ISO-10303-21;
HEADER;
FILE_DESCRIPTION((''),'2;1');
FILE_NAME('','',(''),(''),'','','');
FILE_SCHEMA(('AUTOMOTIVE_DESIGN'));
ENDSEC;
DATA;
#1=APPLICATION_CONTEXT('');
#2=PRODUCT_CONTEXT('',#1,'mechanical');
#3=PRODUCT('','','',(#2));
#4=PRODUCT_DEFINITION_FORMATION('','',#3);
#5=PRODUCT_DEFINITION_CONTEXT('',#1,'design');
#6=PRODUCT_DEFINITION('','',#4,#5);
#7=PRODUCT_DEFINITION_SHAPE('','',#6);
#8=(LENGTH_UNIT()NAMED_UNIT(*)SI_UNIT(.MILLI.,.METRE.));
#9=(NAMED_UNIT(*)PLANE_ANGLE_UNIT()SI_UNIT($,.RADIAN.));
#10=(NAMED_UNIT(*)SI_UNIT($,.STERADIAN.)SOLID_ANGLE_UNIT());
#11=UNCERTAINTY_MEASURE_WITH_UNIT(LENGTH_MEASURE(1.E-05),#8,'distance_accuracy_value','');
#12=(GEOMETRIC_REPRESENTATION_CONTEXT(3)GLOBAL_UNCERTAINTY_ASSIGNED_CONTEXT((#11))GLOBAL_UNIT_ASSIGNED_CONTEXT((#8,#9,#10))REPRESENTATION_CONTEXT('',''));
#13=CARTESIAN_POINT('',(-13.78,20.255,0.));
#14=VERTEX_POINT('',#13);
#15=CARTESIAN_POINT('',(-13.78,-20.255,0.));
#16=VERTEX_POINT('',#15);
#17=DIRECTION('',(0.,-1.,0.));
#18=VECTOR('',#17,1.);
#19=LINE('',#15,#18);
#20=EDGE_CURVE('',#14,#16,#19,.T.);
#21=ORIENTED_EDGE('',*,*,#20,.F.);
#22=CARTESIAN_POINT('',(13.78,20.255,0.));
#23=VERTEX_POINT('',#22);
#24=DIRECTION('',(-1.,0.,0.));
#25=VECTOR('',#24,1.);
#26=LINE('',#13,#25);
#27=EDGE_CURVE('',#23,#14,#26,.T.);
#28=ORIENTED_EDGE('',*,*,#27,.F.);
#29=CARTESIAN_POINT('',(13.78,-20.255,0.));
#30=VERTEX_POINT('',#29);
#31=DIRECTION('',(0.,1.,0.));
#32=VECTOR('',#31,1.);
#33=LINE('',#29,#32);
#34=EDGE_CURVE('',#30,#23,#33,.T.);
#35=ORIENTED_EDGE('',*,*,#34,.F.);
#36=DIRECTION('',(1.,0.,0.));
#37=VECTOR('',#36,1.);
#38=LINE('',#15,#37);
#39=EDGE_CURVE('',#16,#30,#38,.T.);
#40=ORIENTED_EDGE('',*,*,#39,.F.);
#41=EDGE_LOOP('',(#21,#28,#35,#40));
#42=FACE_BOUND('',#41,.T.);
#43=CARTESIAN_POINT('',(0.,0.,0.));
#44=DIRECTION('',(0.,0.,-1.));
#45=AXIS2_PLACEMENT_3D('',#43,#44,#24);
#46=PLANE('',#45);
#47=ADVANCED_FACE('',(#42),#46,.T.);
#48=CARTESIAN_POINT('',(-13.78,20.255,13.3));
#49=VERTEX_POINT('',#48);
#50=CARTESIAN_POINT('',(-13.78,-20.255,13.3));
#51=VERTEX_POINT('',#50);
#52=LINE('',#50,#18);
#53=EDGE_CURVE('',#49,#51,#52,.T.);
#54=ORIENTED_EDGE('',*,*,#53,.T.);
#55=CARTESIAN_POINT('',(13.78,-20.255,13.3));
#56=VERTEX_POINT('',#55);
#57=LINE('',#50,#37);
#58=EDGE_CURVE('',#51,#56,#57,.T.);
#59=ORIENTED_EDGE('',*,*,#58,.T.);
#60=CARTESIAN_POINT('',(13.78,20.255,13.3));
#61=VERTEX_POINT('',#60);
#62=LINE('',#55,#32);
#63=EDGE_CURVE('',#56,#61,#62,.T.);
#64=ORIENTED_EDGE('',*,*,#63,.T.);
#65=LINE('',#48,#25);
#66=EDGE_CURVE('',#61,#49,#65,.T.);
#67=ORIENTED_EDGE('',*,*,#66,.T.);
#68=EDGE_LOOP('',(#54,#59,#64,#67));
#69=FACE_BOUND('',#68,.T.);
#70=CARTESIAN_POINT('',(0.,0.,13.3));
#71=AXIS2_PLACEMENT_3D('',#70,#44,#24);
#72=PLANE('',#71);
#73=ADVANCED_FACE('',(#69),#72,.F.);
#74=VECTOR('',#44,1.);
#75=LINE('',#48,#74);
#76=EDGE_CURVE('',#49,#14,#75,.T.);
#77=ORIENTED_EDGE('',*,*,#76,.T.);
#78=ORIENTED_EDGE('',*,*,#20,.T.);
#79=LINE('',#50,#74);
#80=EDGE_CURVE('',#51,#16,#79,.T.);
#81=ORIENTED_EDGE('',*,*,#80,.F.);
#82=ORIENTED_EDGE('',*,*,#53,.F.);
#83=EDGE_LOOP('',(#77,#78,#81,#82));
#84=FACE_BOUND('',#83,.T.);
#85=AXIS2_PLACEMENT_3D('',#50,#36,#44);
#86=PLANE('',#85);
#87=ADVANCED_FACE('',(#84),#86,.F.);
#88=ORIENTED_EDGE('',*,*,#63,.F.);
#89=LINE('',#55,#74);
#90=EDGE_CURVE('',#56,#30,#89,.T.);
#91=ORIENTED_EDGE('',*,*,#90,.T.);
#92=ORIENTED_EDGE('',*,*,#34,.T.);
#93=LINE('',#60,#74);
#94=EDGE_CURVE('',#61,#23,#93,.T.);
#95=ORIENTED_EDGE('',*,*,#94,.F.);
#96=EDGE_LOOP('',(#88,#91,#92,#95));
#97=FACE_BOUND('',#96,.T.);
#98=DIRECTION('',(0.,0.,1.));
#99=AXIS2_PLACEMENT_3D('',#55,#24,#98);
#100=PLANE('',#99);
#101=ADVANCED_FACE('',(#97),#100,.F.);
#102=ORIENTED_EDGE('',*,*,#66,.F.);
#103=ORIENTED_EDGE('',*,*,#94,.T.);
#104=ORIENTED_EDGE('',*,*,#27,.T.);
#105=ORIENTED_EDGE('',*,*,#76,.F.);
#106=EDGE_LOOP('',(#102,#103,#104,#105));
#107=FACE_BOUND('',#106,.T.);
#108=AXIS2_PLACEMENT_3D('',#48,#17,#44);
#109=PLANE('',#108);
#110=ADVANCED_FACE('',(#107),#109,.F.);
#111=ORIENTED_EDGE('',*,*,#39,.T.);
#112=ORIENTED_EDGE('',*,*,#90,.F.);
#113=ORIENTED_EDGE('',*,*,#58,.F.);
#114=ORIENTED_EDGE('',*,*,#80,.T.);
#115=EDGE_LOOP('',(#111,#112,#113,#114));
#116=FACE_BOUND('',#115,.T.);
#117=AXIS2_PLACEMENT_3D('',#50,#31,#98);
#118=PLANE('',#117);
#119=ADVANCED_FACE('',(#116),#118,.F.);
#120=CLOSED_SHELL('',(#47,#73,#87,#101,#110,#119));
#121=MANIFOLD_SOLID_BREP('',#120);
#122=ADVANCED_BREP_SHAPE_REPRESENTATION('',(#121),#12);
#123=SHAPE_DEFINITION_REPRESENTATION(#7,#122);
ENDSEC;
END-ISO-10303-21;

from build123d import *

# Parameters (mm, degrees)
SKETCH1_W      = 27.56
SKETCH1_H      = 40.51
ENVELOPE_DEPTH = 13.3


with BuildPart() as part:
    # Sketch1 → Envelope (new body)
    with BuildSketch(Plane.XY):
        Rectangle(SKETCH1_W, SKETCH1_H)
    extrude(amount=ENVELOPE_DEPTH)


solid = part.part
